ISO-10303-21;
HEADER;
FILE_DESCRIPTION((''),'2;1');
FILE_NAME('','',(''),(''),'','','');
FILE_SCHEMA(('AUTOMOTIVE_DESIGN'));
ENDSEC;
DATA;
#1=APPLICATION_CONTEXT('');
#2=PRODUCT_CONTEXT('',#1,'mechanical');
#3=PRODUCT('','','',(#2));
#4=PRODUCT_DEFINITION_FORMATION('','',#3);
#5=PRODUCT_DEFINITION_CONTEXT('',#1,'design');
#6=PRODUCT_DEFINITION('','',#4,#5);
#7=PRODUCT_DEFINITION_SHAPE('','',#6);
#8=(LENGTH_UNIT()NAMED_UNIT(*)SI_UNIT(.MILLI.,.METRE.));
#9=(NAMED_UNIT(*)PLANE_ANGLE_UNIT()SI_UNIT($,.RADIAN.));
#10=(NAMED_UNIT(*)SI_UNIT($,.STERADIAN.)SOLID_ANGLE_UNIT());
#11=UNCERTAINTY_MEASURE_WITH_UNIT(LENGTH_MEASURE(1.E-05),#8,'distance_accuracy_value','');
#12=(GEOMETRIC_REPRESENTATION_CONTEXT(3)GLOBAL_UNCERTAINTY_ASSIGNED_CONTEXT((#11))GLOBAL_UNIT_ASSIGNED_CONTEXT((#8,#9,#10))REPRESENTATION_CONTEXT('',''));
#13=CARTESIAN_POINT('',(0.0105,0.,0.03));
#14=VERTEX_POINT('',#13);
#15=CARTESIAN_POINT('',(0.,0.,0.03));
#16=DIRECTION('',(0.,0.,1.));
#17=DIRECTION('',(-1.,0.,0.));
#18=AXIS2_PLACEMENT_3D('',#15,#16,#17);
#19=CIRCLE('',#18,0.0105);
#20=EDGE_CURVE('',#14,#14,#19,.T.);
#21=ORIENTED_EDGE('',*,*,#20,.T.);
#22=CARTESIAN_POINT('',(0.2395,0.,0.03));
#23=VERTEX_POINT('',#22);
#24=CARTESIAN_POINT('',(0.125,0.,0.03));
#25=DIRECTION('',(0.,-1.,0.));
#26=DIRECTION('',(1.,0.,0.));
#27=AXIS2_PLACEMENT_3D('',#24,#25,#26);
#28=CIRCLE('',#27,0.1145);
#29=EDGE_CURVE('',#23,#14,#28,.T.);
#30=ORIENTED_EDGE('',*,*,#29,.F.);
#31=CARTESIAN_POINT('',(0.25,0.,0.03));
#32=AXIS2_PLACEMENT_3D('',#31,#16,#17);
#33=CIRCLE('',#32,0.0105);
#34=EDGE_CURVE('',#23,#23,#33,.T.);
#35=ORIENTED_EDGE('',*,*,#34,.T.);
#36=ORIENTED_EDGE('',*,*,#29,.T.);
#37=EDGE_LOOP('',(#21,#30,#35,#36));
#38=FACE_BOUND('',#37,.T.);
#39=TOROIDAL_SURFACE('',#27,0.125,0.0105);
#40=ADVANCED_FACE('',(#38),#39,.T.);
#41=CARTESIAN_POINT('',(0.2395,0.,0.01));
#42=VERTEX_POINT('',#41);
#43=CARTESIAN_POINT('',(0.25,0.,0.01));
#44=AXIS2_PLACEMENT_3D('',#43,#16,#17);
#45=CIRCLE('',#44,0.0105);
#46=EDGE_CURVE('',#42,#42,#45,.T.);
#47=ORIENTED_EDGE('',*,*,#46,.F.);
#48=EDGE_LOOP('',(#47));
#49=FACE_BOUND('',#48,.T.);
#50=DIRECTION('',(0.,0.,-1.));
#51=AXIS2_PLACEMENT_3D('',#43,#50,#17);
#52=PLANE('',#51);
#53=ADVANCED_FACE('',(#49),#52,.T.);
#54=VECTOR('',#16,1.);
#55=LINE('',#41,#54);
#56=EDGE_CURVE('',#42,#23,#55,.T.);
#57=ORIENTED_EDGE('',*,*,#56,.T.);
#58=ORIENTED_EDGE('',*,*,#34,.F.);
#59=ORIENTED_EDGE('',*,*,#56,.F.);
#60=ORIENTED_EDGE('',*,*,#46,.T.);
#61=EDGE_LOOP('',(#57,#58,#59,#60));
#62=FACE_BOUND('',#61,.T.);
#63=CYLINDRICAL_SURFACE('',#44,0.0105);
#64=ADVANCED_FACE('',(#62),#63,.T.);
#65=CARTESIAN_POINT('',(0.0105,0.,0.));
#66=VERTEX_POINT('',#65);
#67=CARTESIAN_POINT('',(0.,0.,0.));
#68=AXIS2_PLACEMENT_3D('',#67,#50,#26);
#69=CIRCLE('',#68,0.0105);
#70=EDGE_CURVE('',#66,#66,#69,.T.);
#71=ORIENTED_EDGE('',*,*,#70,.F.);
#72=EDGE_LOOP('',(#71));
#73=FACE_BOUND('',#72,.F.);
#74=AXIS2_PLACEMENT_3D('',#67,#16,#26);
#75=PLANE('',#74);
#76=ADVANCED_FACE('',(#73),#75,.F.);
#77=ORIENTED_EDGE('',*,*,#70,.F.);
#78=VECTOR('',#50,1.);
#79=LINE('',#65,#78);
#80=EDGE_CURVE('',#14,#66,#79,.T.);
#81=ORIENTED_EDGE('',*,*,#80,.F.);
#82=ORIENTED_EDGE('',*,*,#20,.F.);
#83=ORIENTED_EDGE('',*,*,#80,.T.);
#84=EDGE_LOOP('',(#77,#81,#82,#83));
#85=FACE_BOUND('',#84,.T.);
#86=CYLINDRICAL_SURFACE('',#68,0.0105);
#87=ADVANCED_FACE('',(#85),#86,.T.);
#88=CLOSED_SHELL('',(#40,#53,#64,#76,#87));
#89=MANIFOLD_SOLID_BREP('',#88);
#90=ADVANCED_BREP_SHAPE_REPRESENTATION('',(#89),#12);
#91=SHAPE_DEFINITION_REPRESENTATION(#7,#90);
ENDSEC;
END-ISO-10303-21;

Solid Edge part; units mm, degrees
sketch "Sketch1" plane through (0, 0, 0) normal (0, -1, 0) x (1, 0, 0)
  line L0 (0.25, 0.01) -> (0.25, 0.03)
  line L1 (0, 0) -> (0, 0.03)
  arc A0 (0, 0.03) -> (0.25, 0.03) centre (0.125, 0.03) cw
sketch "Sketch2" plane through (0, 0, 0) normal (0, 0, 1) x (1, 0, 0)
  circle A0 centre (0, 0) radius 0.0105
  dimension "D1" = 0.021
sweep "SweptProtrusion1" add profiles "Sketch2" path "Sketch1"
